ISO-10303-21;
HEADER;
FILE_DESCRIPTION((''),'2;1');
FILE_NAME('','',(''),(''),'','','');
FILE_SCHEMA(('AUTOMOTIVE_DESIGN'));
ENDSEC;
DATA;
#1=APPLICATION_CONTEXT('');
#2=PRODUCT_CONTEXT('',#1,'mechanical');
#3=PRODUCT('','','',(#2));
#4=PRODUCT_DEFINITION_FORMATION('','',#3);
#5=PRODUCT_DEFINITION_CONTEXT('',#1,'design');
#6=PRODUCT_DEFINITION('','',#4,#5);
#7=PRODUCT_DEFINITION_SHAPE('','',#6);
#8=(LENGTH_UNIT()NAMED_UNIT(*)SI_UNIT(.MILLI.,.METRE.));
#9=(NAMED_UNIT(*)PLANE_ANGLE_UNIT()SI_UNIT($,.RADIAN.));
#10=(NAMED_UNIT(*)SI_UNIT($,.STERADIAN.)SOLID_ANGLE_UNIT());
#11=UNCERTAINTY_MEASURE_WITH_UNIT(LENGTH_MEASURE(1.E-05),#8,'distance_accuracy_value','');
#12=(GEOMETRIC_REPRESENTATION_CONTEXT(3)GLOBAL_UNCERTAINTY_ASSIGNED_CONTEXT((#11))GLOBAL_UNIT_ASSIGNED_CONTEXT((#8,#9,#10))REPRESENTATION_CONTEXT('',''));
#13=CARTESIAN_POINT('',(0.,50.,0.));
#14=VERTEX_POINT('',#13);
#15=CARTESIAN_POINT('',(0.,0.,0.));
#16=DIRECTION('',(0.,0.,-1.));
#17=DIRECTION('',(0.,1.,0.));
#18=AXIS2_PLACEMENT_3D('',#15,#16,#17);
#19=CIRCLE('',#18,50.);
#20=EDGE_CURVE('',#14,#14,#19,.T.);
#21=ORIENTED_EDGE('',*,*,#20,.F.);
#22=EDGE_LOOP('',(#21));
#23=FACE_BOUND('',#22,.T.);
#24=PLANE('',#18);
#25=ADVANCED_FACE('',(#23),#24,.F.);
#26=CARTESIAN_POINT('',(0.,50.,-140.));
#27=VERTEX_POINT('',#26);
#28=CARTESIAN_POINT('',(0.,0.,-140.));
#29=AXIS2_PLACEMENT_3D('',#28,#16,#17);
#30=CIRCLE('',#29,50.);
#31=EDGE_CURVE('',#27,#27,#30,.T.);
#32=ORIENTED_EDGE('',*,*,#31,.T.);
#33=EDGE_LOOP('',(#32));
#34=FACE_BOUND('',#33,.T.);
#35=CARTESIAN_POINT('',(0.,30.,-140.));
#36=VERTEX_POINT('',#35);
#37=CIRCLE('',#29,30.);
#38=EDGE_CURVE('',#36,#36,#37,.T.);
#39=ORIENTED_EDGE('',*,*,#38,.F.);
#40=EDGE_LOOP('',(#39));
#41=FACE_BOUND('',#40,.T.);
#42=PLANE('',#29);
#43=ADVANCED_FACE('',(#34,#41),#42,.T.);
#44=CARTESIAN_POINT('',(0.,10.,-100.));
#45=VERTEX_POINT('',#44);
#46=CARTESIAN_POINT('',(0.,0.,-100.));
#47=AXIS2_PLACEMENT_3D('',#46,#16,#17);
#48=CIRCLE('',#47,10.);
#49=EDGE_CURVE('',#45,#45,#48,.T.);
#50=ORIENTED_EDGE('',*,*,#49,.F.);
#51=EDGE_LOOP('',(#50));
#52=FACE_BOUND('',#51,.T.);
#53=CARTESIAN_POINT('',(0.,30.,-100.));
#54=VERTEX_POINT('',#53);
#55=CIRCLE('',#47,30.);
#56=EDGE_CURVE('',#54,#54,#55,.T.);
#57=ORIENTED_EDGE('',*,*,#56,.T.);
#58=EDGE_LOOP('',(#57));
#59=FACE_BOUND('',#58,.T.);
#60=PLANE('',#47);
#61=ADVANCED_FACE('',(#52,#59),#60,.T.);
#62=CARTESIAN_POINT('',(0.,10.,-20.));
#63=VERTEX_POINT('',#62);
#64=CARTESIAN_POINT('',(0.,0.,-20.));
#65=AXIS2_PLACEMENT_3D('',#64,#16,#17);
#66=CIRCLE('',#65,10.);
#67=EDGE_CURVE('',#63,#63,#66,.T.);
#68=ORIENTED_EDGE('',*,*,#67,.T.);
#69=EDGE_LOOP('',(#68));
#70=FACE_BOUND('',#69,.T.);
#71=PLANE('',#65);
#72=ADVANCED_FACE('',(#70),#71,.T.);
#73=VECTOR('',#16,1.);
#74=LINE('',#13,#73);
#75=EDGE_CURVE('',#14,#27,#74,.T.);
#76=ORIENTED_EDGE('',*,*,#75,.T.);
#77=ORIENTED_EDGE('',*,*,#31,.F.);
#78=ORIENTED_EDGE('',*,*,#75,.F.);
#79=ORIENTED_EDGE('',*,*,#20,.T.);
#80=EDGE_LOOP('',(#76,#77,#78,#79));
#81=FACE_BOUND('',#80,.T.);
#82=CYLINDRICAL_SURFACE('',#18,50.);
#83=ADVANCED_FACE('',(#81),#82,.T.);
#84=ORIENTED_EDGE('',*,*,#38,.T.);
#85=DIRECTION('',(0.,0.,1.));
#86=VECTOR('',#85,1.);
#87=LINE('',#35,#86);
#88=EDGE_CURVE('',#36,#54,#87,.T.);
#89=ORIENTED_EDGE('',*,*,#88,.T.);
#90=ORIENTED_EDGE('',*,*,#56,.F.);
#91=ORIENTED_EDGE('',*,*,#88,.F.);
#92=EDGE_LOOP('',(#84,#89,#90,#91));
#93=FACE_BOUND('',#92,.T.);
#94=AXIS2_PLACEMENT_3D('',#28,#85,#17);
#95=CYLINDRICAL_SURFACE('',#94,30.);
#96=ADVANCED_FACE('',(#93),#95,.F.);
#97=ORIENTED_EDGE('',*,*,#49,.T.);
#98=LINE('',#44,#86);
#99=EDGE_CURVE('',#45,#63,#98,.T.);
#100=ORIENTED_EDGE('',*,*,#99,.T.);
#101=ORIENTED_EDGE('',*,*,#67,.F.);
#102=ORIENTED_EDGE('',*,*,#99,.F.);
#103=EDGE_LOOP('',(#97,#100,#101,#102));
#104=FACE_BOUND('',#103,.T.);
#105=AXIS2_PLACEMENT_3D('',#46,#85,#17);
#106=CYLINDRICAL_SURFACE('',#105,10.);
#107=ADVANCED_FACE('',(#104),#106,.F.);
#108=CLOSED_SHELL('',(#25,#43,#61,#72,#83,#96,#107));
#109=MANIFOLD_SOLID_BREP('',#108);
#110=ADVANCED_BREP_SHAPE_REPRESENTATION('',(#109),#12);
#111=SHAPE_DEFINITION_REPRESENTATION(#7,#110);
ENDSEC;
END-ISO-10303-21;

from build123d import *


with BuildPart() as part:
    # Croquis1 → Revolución1 (revolve)
    with BuildSketch(Plane(origin=(0, 0, 0), x_dir=(0, 0, -1), z_dir=(1, 0, 0))):
        Polygon((0, 0), (0, 50), (140, 50), (140, 30), (100, 30), (100, 10), (20, 10), (20, 0), align=None)
    revolve(axis=Axis((0, 0, 0), (0, 0, -1)))


solid = part.part
